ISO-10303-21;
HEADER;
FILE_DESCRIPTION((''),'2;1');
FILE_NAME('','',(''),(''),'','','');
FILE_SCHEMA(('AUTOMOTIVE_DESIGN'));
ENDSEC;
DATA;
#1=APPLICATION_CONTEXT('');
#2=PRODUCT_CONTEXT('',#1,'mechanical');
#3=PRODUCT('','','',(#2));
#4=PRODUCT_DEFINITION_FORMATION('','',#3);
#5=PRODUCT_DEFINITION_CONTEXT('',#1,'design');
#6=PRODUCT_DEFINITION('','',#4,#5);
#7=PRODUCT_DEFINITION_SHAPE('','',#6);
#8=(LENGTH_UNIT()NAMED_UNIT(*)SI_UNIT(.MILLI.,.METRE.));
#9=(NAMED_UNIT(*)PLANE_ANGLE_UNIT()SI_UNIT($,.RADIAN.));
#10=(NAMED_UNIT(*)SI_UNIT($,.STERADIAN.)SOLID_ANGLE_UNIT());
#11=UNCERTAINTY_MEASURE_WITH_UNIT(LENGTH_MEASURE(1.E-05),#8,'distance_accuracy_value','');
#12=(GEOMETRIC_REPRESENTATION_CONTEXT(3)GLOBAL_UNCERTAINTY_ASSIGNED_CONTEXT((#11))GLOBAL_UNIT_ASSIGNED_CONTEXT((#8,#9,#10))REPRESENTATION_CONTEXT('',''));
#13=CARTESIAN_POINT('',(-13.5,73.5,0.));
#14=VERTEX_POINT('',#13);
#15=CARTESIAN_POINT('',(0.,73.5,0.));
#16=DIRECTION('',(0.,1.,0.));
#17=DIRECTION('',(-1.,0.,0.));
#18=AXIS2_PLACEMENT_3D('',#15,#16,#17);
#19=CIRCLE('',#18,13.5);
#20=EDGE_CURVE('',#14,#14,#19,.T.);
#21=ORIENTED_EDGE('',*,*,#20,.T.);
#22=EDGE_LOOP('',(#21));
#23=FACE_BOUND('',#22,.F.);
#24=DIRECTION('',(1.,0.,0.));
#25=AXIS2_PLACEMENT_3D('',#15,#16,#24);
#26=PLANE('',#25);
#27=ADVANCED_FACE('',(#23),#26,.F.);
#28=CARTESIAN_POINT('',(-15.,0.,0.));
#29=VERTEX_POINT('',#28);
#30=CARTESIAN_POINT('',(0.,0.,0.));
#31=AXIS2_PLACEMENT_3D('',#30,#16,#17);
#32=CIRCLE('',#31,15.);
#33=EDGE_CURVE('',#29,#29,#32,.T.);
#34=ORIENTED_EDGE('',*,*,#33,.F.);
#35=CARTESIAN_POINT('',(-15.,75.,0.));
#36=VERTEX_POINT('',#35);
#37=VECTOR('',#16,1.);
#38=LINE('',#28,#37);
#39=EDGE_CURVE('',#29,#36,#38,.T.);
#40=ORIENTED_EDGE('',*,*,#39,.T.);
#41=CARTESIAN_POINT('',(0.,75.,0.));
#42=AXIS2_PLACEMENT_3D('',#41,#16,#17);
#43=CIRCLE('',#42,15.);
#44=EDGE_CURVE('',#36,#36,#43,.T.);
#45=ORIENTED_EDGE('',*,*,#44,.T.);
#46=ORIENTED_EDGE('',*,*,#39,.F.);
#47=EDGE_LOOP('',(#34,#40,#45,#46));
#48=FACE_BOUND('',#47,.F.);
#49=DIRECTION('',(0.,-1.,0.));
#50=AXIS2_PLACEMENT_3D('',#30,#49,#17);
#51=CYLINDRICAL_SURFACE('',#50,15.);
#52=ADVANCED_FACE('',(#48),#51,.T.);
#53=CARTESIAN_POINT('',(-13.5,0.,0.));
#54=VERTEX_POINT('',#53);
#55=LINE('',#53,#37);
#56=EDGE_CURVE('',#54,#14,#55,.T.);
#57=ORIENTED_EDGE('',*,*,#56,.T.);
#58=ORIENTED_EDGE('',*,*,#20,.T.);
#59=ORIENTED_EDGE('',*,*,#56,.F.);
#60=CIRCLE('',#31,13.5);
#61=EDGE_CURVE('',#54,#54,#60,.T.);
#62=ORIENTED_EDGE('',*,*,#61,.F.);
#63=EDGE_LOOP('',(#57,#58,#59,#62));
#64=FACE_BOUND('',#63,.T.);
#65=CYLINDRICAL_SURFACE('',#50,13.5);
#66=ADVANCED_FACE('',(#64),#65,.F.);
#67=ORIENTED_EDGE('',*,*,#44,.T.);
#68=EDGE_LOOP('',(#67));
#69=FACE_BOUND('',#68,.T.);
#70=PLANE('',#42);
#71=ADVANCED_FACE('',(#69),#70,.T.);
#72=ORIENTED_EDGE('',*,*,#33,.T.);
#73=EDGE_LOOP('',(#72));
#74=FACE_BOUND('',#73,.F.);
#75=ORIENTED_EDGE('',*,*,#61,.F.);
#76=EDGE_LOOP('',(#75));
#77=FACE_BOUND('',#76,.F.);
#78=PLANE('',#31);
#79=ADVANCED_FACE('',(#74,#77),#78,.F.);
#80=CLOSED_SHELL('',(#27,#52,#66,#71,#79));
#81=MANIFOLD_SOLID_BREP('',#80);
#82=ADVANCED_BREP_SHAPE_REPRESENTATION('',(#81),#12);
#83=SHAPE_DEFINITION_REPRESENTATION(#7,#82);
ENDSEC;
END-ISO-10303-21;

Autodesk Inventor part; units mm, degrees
ref_plane "YZ Plane" through (0, 0, 0) normal (1, 0, 0) x (0, 1, 0)
ref_plane "XZ Plane" through (0, 0, 0) normal (0, 1, 0) x (-1, 0, 0)
ref_plane "XY Plane" through (0, 0, 0) normal (0, 0, 1) x (1, 0, 0)
sketch "Sketch1" plane through (0, 0, 0) normal (0, 1, 0) x (-1, 0, 0)
  circle A0 centre (0, 0) radius 15
  circle A1 centre (0, 0) radius 13.5
  dimension "d0" = 30
  dimension "d1" = 27
extrude "Extrusion1" add sketch "Sketch1" along normal blind 75
sketch "Sketch2" plane through (0, 75, 0) normal (0, 1, 0) x (1, 0, 0)
  circle A0 centre (0, 0) radius 13.5
  dimension "d4" = 27
extrude "Extrusion2" add sketch "Sketch2" against normal blind 1.5
properties part number "Glass_Tube"
